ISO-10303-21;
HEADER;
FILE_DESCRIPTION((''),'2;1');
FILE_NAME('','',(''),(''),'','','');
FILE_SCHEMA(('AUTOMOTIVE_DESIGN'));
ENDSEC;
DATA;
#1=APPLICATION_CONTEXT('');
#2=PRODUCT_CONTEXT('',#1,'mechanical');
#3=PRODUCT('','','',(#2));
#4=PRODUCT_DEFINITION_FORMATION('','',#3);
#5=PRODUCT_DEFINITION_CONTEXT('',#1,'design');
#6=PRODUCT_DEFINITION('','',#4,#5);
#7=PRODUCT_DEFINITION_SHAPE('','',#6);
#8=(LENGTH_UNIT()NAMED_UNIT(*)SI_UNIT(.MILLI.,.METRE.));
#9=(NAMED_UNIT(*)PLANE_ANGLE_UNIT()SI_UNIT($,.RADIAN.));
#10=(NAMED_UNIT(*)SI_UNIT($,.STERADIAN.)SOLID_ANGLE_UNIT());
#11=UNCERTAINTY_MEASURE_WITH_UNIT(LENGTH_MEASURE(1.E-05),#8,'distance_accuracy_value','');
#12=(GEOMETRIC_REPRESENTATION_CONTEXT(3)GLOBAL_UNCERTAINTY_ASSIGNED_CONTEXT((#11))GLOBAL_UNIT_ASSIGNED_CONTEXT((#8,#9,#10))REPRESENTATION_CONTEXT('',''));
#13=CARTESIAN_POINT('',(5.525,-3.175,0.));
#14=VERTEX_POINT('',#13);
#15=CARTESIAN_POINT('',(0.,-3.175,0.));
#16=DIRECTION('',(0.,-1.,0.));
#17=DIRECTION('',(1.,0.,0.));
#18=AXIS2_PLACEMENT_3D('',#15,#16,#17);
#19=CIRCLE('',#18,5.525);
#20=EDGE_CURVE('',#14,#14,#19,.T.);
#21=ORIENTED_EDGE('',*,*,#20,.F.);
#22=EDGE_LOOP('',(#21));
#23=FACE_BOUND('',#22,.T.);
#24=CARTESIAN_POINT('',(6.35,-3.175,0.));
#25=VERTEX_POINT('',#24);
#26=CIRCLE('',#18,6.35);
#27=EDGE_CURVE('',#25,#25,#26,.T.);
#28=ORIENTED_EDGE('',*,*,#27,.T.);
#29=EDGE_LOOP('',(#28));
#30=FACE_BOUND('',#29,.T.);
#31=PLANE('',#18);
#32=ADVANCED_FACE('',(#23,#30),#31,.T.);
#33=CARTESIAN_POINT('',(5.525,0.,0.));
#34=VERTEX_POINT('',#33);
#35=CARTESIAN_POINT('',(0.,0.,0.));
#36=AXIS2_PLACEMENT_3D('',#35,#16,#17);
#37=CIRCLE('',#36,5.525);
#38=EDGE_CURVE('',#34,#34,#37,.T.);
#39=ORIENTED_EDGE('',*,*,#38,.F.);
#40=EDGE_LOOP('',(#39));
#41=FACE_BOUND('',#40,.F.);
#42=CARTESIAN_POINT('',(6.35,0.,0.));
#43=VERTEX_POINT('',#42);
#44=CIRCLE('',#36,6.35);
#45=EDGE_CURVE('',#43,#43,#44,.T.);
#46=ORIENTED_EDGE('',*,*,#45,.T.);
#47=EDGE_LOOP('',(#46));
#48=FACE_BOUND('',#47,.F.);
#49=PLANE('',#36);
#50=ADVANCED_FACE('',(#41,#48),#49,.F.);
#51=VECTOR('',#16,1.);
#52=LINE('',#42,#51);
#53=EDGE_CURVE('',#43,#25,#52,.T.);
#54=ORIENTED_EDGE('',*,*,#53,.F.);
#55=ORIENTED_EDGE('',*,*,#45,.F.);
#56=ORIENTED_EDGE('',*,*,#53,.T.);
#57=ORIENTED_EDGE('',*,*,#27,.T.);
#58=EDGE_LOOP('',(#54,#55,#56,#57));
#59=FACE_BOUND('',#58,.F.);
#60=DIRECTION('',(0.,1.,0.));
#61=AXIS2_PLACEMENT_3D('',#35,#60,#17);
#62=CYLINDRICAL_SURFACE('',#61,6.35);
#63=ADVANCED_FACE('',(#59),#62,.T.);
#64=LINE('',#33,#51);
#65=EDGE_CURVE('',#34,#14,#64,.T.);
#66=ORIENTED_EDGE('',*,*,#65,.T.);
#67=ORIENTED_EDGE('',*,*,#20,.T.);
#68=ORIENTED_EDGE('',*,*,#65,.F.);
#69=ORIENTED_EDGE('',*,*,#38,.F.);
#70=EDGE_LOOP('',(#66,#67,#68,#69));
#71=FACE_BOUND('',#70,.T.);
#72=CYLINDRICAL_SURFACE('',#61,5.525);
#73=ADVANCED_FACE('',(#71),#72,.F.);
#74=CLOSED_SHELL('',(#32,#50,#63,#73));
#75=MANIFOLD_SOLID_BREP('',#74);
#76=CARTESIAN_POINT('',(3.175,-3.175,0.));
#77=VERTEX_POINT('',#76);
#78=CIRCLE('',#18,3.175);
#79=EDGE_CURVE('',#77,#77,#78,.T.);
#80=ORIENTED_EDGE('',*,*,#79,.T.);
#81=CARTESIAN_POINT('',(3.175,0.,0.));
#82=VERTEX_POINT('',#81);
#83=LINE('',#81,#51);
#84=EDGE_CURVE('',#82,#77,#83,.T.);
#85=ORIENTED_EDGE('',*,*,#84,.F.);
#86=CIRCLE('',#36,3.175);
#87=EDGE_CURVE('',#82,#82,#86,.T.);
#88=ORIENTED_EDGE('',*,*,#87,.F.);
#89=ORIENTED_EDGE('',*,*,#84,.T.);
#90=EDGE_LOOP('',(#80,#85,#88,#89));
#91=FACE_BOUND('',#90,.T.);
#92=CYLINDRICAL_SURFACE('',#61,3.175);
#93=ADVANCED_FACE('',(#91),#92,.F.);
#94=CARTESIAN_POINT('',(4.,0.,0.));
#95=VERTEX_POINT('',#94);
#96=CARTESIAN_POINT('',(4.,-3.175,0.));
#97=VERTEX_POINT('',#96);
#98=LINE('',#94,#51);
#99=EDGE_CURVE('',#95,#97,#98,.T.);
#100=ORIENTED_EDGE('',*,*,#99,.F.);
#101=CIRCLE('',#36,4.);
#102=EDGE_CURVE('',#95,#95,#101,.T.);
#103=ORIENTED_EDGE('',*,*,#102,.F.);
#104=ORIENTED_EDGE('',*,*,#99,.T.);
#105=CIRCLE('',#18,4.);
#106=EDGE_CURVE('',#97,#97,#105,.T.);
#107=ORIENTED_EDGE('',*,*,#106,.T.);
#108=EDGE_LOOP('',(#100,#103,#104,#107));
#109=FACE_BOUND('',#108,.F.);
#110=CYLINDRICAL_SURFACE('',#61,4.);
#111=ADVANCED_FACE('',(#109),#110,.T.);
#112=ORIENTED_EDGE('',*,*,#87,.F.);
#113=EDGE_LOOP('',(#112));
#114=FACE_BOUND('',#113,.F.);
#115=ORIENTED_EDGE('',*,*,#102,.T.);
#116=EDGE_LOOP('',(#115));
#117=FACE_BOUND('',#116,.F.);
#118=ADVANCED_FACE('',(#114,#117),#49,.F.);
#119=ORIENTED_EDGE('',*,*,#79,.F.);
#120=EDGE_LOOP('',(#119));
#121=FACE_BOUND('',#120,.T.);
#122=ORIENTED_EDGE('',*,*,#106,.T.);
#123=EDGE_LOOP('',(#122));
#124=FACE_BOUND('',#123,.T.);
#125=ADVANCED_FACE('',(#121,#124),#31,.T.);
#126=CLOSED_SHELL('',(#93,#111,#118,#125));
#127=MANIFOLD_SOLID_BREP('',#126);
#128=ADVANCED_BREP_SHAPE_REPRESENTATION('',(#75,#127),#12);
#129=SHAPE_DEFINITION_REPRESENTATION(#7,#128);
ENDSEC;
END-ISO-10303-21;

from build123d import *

# Parameters (mm, degrees)
F0_R     = 6.35
F0_R_2   = 5.525
F0_R_3   = 4
F0_R_4   = 3.175
F1_DEPTH = 3.175


with BuildPart() as f1:
    # F0 (on Front) → F1 (new body)
    with BuildSketch(Plane.XZ):
        Circle(F0_R)
        Circle(F0_R_2, mode=Mode.SUBTRACT)
        Circle(F0_R_3)
        Circle(F0_R_4, mode=Mode.SUBTRACT)
    extrude(amount=F1_DEPTH)


solid = f1.part
